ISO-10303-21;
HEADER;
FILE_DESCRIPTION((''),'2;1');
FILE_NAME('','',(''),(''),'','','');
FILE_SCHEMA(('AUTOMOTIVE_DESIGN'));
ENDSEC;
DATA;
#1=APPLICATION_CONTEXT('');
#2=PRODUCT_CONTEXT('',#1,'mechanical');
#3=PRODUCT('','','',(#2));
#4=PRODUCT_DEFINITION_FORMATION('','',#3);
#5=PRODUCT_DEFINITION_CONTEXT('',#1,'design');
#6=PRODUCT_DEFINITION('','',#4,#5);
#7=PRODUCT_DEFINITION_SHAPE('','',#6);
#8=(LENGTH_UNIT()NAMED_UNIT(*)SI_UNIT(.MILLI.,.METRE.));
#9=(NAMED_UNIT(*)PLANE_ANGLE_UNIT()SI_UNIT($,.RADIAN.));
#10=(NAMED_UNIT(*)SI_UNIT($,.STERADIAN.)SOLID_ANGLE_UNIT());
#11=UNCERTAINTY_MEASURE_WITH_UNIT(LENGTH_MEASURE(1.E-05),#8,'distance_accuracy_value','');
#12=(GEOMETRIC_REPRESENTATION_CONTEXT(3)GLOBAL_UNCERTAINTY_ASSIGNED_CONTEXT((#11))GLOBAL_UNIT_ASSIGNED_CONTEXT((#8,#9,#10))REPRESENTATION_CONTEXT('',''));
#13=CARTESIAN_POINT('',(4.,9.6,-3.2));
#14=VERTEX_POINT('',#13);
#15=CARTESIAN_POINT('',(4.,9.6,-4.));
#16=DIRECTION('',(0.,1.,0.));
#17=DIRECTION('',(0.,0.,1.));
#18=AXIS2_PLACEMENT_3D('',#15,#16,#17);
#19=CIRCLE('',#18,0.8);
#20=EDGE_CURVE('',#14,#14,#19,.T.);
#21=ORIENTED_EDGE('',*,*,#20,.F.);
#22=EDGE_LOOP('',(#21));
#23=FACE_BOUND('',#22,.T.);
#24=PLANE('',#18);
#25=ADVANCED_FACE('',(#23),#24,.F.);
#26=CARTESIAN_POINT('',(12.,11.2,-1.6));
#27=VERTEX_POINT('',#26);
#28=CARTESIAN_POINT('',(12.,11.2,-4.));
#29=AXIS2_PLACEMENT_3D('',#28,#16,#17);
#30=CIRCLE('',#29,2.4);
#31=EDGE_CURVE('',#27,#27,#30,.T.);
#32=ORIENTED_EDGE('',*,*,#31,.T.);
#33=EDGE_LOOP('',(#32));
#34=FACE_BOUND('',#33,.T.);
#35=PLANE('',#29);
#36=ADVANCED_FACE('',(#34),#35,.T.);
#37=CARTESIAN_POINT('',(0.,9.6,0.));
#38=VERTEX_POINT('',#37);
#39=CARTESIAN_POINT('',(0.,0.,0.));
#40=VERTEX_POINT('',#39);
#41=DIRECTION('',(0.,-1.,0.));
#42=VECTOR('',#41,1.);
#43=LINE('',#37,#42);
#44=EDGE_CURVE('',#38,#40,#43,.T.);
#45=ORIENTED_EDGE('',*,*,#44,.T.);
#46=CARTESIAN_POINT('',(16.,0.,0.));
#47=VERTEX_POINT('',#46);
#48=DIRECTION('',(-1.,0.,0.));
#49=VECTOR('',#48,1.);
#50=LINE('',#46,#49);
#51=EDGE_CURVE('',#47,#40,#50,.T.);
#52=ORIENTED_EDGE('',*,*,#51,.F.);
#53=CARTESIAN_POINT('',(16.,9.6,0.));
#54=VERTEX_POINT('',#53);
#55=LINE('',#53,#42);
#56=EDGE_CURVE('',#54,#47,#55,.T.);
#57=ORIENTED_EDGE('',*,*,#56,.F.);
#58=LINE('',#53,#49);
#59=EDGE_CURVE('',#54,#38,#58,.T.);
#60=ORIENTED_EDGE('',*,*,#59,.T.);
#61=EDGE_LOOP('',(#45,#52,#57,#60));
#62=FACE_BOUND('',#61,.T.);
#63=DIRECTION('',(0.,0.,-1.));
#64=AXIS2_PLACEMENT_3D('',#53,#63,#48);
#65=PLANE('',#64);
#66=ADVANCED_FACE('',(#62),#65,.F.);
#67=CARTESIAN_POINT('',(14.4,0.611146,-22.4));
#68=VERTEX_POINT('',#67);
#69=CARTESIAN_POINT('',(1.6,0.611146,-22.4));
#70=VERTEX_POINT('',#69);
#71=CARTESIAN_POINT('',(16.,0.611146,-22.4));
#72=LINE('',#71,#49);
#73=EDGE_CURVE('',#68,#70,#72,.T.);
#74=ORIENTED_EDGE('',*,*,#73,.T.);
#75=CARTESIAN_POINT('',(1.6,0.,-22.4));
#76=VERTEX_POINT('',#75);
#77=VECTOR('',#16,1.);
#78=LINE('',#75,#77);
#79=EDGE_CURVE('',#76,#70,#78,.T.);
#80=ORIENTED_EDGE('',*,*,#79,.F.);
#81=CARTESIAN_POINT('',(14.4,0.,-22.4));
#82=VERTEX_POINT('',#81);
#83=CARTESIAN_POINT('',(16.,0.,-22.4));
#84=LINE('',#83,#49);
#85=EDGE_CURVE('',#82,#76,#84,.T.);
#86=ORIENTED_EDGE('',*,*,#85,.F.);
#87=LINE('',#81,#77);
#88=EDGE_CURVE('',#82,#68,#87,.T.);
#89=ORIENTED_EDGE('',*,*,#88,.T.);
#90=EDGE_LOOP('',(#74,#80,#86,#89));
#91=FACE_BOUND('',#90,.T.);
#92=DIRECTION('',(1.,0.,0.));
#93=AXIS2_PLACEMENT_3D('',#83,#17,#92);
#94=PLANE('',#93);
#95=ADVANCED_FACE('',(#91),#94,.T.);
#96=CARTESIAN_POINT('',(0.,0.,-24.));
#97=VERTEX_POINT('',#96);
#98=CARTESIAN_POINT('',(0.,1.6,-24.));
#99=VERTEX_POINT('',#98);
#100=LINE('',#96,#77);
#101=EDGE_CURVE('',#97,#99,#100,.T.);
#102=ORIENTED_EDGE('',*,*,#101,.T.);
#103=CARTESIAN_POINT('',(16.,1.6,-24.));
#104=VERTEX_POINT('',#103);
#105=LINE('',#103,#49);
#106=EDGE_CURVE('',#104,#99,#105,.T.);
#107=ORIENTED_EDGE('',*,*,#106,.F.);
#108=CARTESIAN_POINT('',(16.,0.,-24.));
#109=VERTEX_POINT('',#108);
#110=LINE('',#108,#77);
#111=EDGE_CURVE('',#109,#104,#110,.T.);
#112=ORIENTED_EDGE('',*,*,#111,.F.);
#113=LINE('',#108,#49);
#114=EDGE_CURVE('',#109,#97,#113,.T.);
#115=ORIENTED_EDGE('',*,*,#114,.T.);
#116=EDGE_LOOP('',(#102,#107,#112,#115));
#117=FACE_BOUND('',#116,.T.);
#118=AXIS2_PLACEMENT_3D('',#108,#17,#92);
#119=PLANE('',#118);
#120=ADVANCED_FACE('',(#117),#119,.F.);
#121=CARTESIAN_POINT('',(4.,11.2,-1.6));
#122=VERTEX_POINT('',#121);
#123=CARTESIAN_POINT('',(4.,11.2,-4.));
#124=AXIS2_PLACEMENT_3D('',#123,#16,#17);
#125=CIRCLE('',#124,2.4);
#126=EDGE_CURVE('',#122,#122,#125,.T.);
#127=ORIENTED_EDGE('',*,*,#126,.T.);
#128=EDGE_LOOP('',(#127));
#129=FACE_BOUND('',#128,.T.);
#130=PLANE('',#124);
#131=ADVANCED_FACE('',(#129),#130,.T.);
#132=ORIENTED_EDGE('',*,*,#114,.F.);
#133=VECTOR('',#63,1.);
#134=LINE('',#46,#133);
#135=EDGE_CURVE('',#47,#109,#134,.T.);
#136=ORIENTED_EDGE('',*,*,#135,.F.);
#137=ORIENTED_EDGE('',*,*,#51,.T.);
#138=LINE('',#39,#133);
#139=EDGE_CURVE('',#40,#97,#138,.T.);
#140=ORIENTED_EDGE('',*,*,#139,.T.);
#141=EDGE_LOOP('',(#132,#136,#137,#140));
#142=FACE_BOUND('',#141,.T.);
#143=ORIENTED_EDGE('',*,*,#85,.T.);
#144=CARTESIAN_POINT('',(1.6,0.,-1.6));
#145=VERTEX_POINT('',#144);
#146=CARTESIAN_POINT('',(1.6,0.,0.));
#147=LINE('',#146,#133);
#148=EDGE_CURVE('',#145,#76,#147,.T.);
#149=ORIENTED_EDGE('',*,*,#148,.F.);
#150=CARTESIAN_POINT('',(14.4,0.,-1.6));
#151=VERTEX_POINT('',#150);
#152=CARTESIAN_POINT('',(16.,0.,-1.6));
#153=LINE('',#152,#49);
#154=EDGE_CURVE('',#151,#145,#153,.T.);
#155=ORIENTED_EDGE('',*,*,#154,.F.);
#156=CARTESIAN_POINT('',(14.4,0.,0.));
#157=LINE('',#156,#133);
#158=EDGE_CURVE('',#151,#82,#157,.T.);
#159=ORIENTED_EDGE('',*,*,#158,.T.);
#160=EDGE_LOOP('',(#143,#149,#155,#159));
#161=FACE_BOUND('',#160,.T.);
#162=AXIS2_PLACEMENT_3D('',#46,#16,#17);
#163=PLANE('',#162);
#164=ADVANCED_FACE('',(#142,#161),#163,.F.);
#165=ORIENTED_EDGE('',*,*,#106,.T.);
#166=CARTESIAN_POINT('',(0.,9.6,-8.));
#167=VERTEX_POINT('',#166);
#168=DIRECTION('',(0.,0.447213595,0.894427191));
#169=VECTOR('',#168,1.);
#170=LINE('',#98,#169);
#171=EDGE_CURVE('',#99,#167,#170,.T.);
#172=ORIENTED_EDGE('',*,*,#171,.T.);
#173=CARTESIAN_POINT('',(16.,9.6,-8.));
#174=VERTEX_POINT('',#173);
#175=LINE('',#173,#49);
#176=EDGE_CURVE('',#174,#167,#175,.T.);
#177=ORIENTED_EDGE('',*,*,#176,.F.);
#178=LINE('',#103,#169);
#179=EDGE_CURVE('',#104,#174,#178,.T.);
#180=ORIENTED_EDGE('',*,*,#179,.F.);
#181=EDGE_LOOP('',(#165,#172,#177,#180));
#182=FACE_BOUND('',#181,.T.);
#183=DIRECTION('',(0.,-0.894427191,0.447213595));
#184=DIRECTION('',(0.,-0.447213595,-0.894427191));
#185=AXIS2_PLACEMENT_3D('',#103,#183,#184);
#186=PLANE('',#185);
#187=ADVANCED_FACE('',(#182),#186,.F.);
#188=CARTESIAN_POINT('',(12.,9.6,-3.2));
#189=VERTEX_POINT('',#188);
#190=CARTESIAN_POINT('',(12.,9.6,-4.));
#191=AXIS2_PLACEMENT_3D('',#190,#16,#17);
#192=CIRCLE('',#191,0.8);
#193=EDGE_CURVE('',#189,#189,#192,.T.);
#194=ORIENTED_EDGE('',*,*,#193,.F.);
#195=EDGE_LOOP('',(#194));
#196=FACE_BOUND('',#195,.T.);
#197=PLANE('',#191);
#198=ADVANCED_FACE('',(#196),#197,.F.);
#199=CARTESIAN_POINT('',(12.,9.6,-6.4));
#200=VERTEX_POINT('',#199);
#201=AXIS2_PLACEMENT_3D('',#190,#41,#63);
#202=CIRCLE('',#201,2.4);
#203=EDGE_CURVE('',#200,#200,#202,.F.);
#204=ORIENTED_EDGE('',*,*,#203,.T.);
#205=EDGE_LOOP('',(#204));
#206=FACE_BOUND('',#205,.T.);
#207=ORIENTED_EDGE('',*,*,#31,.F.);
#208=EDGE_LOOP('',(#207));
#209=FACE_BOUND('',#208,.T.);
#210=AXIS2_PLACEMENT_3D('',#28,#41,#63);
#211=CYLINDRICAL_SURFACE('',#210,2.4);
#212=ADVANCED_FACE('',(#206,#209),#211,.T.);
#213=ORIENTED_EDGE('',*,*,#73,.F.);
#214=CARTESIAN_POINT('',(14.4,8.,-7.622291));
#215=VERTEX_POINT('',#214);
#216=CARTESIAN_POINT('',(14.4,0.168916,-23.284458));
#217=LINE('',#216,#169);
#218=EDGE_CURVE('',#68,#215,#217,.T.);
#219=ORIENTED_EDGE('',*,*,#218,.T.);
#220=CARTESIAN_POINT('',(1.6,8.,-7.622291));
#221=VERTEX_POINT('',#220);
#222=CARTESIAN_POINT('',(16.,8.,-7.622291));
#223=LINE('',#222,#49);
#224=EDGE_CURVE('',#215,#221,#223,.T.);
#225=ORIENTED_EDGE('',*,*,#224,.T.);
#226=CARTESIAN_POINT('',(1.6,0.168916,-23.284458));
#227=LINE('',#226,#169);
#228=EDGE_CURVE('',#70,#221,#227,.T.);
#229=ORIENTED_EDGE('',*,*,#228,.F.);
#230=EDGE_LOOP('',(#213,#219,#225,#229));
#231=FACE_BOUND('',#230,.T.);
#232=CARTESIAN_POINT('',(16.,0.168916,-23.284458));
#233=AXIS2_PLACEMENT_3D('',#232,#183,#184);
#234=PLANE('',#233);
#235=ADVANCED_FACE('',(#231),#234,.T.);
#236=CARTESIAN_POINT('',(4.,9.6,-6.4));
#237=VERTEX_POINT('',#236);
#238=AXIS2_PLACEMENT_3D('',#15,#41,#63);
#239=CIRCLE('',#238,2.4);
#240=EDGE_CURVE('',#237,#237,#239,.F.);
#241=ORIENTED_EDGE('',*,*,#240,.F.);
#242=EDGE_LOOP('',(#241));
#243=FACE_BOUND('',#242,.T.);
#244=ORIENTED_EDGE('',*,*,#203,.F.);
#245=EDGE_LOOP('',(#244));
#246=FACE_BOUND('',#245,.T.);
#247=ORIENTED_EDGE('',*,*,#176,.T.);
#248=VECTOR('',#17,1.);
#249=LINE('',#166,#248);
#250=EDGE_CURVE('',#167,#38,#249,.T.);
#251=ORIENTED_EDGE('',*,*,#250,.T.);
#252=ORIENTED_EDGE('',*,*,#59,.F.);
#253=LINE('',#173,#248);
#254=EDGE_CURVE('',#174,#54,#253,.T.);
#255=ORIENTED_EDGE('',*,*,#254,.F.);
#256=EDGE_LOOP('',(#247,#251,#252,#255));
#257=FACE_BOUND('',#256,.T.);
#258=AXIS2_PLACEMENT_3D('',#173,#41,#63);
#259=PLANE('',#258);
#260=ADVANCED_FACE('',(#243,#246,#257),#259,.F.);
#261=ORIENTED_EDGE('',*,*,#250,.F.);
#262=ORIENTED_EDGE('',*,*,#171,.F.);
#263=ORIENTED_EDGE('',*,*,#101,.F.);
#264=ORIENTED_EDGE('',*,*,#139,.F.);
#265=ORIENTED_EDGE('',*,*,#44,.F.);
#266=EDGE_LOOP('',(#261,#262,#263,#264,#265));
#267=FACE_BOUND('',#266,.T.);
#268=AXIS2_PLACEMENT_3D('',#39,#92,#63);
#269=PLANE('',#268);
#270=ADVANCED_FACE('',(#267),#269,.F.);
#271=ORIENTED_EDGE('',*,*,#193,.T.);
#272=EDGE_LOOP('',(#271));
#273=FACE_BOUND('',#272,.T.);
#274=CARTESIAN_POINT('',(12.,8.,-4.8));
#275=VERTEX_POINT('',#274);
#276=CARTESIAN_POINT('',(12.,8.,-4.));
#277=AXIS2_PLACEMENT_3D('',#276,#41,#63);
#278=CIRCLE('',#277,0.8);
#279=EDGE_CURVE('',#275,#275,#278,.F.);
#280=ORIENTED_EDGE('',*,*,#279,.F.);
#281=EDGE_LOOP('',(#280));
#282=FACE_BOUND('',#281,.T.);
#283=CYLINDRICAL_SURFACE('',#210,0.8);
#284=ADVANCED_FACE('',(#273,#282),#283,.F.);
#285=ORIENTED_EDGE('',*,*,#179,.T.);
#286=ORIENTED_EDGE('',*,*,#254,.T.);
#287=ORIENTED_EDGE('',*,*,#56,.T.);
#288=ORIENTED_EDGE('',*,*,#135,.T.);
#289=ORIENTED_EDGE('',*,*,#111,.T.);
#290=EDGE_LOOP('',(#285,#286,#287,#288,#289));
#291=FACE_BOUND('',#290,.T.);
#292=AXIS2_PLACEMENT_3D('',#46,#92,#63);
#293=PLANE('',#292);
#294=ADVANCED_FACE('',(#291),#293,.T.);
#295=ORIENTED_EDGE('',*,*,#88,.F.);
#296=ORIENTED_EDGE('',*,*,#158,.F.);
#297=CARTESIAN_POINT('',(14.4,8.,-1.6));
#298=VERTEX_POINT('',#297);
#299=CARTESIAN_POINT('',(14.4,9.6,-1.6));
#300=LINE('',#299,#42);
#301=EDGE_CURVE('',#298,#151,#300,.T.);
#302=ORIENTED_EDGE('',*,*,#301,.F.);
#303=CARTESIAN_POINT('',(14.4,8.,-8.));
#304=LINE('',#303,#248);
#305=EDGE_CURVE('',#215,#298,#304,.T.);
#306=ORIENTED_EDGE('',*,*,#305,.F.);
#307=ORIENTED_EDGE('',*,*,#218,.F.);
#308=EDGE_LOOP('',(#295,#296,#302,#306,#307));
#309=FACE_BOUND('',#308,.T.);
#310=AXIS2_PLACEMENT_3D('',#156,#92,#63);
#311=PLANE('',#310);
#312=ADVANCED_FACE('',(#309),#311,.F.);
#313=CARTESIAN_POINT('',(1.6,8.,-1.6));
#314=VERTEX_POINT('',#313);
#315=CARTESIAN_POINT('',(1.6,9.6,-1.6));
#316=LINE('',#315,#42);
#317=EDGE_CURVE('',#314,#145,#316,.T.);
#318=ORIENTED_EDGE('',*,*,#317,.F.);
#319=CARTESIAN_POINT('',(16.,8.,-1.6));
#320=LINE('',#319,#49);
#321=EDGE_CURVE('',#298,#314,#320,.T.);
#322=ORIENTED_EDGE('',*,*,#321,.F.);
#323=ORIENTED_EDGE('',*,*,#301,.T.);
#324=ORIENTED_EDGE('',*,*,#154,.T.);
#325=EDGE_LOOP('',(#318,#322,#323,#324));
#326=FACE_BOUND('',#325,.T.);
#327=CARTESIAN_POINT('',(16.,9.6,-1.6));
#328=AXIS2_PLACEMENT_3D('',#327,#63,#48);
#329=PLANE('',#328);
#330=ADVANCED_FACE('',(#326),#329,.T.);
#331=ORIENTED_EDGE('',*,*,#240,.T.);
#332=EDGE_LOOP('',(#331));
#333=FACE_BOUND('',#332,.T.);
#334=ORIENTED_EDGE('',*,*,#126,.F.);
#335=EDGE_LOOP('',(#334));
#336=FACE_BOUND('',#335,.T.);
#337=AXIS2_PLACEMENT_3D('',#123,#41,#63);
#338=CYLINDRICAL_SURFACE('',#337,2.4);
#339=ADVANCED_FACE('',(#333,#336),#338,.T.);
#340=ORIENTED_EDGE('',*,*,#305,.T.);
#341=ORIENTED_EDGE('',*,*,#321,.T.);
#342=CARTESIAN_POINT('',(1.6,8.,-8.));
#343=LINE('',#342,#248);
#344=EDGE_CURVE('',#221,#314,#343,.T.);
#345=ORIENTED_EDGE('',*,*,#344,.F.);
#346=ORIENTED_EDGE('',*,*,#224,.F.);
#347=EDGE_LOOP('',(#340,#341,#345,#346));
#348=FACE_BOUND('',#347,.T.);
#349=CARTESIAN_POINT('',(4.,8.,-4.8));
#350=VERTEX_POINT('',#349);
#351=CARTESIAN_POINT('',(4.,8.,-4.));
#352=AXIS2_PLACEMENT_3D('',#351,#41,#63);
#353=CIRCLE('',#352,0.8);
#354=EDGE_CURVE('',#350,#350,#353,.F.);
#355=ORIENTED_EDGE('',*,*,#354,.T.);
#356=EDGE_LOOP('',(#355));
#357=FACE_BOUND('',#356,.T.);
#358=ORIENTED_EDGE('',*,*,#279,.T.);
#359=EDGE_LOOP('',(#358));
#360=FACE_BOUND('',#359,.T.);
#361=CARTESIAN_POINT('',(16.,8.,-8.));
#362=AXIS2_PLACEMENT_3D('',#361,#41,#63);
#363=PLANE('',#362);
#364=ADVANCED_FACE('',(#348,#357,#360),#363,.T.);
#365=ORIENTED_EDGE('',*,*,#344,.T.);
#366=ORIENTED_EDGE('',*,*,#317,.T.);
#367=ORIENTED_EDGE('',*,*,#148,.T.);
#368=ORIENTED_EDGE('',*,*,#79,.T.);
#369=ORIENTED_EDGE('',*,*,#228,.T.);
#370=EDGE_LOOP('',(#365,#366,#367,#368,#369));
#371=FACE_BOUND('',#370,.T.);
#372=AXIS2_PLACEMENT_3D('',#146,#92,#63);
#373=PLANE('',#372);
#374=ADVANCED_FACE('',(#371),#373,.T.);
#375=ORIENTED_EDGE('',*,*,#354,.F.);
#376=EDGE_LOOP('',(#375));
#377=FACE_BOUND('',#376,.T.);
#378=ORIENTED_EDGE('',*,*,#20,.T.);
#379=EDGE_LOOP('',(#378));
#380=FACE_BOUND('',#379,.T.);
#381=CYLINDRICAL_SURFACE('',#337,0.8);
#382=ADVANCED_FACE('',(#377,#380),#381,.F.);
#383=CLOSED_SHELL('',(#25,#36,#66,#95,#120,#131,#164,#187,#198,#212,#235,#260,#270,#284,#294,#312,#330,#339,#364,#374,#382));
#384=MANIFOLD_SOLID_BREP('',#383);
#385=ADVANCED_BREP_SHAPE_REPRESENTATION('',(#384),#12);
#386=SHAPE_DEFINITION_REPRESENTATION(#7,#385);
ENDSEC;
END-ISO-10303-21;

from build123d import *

# Parameters (mm, degrees)
BOSS_EXTRUDE1_DEPTH = 16
SKETCH2_R           = 2.4
BOSS_EXTRUDE2_DEPTH = 1.6
SHELL1_T            = -1.6


with BuildPart() as part:
    # Sketch1 → Boss-Extrude1 (new body)
    with BuildSketch(Plane(origin=(0, 0, 0), x_dir=(0, 0, -1), z_dir=(1, 0, 0))):
        Polygon((0, 0), (24, 0), (24, 1.6), (8, 9.6), (0, 9.6), align=None)
    extrude(amount=BOSS_EXTRUDE1_DEPTH)

    # Sketch2 → Boss-Extrude2 (add)
    with BuildSketch(Plane(origin=(0, 9.6, 0), x_dir=(1, 0, 0), z_dir=(0, 1, 0))):
        with Locations(Location((4, 4, 0), (0, 0, 90))):
            Circle(SKETCH2_R)
        with Locations(Location((12, 4, 0), (0, 0, 90))):
            Circle(SKETCH2_R)
    extrude(amount=BOSS_EXTRUDE2_DEPTH)

    # Shell1
    shell1_openings = [part.faces().sort_by_distance(p)[0] for p in [
        (8, 0, -12),
    ]]
    offset(amount=SHELL1_T, openings=shell1_openings, kind=Kind.INTERSECTION)


solid = part.part
